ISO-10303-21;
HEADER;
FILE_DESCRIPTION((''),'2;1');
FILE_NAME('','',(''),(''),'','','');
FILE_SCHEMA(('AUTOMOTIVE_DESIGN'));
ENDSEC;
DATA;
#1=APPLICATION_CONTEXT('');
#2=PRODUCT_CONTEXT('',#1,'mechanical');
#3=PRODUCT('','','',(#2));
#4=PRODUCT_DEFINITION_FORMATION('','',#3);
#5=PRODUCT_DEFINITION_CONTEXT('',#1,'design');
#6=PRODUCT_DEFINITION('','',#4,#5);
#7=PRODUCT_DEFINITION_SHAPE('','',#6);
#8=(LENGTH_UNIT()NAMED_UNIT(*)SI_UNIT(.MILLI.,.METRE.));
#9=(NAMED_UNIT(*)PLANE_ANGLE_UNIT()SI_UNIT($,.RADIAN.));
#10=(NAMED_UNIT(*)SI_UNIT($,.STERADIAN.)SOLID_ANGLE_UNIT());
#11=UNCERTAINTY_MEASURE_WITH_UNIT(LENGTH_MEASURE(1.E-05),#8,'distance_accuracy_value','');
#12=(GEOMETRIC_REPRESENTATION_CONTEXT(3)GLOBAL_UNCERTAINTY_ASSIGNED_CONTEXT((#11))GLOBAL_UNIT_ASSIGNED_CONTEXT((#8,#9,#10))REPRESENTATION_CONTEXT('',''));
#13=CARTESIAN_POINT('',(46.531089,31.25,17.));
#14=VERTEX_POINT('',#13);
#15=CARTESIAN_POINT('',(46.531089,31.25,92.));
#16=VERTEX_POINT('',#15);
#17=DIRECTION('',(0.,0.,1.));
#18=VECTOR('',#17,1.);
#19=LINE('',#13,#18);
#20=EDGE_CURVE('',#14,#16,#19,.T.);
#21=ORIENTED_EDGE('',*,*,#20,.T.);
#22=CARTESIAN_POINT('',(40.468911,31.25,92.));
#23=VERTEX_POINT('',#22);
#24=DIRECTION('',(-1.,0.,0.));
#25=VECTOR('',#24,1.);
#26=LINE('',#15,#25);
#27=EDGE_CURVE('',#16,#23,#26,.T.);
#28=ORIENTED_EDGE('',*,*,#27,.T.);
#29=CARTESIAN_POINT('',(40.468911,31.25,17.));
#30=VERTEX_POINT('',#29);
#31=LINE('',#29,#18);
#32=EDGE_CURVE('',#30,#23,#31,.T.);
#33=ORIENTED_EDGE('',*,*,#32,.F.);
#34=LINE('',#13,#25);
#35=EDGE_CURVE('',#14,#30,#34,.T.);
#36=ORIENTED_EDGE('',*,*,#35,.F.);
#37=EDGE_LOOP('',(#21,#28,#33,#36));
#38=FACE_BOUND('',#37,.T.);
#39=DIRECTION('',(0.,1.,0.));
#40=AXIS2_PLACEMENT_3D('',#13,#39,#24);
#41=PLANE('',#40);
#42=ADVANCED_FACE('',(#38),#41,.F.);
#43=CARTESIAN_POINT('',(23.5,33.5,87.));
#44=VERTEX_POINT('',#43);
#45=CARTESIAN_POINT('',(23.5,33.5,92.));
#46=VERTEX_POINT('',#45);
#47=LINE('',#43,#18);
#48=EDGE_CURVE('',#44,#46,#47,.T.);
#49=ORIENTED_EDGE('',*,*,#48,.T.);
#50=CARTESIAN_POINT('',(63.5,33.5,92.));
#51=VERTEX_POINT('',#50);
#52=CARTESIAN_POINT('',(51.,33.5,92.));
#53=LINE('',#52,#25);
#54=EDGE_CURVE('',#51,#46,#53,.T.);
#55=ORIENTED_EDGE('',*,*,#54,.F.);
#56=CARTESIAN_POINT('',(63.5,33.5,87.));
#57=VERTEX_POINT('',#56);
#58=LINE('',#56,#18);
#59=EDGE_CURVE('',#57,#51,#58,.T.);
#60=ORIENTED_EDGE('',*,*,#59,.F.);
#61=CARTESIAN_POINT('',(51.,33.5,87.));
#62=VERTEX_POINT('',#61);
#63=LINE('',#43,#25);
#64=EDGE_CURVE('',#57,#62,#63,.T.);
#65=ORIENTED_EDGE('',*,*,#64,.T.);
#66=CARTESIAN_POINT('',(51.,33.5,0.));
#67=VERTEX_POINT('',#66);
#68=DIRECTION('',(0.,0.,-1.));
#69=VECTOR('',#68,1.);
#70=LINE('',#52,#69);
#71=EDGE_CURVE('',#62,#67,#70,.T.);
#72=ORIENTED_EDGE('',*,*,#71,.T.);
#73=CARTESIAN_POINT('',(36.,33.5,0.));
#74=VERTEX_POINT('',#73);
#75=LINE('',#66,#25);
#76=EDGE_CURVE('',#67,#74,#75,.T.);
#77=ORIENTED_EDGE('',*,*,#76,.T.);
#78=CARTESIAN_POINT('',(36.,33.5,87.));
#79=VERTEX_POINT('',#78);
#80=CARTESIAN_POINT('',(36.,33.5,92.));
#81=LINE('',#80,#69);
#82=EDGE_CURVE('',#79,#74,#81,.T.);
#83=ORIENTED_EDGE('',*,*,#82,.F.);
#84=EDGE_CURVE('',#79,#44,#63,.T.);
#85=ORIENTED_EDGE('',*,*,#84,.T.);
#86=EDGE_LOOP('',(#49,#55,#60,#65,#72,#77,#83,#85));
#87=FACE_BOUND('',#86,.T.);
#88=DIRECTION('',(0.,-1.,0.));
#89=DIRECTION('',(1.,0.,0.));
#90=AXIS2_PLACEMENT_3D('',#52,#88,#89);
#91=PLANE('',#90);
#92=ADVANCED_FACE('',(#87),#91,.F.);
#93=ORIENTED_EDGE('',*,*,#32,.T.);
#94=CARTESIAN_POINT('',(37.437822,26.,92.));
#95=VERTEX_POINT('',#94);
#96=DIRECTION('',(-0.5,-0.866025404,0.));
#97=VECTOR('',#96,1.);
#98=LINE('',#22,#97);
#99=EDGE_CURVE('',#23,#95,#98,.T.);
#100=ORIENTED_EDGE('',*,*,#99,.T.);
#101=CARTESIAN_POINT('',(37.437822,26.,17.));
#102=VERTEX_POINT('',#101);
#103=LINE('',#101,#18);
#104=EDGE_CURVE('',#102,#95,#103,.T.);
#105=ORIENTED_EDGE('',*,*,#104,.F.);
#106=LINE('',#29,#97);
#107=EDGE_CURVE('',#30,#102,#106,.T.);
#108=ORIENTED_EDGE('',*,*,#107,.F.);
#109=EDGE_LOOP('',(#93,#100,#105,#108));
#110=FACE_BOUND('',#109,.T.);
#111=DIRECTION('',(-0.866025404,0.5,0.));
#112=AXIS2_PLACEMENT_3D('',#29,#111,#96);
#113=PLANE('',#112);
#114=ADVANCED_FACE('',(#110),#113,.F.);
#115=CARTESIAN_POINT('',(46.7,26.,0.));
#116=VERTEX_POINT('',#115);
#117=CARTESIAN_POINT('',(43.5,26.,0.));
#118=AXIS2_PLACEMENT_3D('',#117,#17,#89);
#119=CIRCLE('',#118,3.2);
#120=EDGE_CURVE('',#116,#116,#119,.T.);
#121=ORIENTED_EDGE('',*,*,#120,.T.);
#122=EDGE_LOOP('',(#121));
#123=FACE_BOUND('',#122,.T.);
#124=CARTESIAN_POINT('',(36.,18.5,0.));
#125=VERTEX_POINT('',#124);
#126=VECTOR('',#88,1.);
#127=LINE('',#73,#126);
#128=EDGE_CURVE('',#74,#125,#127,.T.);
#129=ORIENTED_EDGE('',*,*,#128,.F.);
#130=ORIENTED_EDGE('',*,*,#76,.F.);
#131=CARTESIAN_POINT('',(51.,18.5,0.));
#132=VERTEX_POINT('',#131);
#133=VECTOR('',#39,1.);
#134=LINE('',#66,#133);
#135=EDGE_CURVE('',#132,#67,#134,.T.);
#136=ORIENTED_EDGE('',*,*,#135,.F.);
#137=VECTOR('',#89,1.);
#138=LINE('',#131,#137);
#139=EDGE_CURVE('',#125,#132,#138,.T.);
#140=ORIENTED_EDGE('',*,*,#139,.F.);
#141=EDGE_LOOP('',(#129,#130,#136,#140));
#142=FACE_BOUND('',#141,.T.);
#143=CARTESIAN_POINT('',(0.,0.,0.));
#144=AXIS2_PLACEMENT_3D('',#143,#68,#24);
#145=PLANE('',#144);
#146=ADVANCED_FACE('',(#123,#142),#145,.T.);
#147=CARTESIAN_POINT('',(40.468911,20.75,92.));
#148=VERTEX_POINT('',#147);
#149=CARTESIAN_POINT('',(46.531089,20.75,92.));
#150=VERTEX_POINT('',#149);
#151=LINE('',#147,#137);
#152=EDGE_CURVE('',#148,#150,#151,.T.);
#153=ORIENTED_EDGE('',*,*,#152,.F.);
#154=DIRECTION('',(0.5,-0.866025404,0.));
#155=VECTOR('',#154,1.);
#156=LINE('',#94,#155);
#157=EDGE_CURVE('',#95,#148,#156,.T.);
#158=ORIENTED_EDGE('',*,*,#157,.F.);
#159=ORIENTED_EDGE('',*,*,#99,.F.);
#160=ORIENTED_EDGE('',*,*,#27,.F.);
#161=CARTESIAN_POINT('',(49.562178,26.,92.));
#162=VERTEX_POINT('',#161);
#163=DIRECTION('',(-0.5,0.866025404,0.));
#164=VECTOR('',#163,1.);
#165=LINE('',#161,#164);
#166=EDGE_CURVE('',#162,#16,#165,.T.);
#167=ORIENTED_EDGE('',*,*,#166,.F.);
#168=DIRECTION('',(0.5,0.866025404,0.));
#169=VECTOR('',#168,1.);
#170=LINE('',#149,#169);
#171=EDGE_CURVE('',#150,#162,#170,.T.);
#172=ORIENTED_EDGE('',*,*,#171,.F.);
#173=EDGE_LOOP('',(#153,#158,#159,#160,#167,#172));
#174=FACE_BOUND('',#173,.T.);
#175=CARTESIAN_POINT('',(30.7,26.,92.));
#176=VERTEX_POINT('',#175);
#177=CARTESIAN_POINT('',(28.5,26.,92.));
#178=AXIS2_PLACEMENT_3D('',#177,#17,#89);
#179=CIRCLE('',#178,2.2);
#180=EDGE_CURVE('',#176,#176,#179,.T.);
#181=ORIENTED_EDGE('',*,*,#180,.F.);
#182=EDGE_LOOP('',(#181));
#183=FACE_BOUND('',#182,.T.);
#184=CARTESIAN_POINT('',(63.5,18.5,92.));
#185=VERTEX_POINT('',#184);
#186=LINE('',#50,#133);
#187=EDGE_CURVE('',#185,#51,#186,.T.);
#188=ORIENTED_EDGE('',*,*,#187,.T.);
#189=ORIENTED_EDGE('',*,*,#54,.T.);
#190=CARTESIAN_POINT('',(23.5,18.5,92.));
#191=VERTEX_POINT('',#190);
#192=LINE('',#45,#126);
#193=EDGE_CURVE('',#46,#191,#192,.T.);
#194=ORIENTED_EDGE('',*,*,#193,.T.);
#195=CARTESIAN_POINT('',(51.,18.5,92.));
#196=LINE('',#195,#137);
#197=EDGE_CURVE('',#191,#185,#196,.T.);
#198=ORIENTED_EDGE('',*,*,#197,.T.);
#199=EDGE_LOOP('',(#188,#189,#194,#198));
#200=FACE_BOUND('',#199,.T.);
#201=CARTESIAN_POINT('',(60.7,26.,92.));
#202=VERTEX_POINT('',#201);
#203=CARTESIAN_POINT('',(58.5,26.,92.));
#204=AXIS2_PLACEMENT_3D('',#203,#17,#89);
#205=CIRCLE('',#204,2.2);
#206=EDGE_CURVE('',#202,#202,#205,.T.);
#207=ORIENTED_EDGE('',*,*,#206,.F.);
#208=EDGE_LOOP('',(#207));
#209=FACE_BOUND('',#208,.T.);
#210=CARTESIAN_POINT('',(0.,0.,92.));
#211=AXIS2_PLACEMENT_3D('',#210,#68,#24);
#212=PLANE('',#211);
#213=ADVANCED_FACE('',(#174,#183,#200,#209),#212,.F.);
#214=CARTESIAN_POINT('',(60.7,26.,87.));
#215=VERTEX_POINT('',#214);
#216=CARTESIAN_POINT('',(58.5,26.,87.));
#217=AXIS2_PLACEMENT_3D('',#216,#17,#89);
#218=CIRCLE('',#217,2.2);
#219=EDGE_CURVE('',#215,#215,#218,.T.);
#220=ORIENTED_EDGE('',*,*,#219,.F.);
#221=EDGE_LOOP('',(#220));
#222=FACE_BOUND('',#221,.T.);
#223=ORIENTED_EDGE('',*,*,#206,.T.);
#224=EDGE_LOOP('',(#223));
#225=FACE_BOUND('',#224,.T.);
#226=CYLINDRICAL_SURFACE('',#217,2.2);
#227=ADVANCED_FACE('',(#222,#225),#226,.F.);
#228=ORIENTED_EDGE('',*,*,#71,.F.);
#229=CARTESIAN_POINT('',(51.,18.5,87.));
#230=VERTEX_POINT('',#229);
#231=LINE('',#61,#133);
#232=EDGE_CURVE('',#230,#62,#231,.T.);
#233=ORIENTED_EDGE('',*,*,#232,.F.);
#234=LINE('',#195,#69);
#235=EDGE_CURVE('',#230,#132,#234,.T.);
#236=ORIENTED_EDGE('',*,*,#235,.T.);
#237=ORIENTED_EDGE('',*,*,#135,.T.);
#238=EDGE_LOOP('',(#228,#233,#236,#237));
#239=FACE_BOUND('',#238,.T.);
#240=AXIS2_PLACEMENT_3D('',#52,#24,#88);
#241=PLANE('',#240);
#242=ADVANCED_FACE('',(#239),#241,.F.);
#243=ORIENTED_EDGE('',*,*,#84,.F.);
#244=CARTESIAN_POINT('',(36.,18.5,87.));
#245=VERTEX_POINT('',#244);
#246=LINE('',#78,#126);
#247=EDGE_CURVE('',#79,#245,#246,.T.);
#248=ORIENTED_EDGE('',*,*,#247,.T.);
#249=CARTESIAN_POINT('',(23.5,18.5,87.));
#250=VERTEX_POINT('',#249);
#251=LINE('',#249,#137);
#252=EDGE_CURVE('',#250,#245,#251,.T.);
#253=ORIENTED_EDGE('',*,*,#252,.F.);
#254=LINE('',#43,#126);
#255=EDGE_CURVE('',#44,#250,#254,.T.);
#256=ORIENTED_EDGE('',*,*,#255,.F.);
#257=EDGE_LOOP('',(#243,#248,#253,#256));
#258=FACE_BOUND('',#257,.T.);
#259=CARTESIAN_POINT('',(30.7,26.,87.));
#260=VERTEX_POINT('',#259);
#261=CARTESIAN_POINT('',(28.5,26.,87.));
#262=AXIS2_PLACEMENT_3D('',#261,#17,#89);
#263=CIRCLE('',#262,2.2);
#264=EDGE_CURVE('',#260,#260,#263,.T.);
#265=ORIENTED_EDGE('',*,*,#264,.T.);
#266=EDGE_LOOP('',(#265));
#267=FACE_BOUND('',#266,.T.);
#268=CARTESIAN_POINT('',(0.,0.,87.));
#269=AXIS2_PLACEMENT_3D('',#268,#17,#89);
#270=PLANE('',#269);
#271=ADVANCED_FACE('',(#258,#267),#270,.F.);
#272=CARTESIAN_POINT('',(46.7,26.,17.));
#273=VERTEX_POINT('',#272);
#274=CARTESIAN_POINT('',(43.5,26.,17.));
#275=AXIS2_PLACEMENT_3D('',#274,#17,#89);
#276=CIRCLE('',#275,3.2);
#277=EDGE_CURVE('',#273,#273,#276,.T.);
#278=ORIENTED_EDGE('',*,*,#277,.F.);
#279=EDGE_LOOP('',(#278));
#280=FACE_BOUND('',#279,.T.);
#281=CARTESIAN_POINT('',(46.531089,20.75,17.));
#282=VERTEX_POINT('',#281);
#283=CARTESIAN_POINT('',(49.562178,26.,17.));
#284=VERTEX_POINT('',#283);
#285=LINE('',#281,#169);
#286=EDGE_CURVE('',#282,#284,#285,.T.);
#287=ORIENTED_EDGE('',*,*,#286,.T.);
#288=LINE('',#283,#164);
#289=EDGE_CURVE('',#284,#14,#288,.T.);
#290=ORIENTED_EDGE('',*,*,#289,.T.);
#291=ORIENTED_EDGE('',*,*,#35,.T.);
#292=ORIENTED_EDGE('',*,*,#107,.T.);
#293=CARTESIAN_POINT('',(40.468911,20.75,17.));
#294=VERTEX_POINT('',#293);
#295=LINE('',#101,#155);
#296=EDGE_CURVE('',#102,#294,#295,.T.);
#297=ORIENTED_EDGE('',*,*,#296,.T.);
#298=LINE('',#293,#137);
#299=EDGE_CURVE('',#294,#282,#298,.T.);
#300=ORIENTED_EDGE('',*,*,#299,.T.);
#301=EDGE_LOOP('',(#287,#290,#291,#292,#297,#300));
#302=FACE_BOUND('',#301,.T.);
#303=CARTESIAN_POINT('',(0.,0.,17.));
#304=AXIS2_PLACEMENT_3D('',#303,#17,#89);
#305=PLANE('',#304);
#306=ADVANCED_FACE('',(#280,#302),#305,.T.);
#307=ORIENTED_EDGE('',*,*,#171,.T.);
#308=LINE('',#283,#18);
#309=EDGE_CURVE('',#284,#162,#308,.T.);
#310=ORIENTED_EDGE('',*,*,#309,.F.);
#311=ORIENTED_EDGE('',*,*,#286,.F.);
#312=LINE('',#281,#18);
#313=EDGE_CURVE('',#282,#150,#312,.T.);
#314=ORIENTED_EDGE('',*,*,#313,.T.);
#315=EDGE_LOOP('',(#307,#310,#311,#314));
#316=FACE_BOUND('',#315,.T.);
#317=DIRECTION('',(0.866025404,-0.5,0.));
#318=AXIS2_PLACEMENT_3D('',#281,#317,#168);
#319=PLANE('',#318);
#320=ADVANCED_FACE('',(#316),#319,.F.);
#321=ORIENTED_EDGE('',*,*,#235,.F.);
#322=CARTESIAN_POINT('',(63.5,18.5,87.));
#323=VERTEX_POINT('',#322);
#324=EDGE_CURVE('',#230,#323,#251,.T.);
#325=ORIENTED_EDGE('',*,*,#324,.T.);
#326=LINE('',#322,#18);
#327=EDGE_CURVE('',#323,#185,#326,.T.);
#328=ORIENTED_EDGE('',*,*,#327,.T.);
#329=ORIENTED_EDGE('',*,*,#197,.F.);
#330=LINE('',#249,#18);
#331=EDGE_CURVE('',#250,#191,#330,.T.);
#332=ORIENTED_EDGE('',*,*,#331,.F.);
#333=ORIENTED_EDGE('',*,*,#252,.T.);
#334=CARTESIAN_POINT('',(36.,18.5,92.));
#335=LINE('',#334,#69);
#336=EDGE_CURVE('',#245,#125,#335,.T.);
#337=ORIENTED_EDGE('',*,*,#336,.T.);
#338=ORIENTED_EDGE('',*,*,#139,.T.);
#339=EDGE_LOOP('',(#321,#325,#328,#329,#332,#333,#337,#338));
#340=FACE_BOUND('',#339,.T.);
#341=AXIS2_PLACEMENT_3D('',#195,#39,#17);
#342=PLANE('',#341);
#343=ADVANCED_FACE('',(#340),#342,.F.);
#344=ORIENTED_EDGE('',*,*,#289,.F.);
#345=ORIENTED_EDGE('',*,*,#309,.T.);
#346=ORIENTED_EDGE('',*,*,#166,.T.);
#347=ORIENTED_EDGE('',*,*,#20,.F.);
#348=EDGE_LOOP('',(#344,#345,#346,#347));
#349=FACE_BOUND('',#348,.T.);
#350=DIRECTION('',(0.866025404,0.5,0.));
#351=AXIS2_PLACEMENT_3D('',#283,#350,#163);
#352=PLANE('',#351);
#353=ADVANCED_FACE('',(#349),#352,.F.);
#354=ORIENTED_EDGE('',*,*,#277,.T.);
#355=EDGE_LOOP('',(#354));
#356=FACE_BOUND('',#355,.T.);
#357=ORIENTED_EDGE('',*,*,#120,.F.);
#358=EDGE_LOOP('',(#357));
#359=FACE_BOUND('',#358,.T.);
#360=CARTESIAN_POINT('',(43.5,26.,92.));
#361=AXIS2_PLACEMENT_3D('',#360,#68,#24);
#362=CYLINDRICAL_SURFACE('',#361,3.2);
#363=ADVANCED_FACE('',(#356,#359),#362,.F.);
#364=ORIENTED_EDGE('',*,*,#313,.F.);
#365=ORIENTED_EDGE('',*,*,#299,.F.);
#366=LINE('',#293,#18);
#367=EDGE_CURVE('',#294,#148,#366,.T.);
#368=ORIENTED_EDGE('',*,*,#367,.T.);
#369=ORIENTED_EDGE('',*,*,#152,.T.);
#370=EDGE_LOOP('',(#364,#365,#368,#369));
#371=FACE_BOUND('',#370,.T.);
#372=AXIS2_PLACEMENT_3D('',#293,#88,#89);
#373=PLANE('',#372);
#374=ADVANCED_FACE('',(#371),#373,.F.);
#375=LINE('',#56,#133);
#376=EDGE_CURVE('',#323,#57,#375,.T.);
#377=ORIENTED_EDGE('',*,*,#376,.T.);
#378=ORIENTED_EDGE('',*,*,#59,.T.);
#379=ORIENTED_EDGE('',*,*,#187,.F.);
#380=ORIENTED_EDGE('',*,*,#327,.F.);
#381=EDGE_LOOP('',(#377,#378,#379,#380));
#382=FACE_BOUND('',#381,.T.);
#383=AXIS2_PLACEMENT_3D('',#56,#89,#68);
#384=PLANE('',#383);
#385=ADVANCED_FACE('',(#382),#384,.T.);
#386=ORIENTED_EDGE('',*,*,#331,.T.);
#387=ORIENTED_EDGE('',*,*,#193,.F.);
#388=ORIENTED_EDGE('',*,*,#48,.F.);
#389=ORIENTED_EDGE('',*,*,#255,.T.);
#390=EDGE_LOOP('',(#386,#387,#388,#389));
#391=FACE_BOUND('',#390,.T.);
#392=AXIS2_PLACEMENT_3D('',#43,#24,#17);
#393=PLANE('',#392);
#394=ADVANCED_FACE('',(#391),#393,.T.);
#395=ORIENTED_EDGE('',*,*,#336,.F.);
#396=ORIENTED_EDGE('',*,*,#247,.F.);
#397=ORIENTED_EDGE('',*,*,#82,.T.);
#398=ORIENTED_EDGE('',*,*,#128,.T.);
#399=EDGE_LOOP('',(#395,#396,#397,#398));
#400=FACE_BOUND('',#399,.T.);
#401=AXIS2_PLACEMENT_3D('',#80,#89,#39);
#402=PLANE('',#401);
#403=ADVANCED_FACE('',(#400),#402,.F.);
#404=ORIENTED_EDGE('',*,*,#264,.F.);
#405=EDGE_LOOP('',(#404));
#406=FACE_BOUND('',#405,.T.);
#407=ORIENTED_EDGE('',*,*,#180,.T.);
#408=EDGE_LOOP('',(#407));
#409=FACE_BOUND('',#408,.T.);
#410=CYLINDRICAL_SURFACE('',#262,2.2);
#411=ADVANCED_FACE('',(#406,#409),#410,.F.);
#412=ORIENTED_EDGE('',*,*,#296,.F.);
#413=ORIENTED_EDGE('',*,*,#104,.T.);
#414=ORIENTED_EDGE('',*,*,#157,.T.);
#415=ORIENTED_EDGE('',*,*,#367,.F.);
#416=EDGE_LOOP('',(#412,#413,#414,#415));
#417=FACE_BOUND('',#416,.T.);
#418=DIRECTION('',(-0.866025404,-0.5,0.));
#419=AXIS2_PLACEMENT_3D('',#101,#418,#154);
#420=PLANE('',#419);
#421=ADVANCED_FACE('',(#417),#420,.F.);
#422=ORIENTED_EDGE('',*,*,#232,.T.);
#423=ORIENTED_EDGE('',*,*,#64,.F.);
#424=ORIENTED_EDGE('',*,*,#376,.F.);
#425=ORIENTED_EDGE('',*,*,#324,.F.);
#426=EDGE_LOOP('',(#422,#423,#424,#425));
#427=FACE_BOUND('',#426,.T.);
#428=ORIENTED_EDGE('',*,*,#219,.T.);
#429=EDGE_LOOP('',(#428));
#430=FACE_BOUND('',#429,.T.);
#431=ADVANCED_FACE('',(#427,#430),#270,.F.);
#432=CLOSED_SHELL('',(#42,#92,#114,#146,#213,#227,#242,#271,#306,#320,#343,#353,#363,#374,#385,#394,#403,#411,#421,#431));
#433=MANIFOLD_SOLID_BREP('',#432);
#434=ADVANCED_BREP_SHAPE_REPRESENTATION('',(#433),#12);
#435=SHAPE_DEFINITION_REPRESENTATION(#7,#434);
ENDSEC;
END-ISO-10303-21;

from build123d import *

# Parameters (mm, degrees)
SKETCH1_W           = 15
SKETCH1_H           = 15
SKETCH1_R           = 3.2
BOSS_EXTRUDE1_DEPTH = 92
SKETCH4_W           = 40
SKETCH4_H           = 15
SKETCH4_R           = 2.2
BOSS_EXTRUDE2_DEPTH = 5
CUT_EXTRUDE1_DEPTH  = 75


with BuildPart() as part:
    # Sketch1 → Boss-Extrude1 (new body)
    with BuildSketch(Plane.XY):
        with Locations((43.5, 26)):
            Rectangle(SKETCH1_W, SKETCH1_H)
        with Locations((43.5, 26)):
            Circle(SKETCH1_R, mode=Mode.SUBTRACT)
    extrude(amount=BOSS_EXTRUDE1_DEPTH)

    # Sketch4 → Boss-Extrude2 (add)
    with BuildSketch(Plane.XY.offset(92)):
        with Locations((43.5, 26)):
            Rectangle(SKETCH4_W, SKETCH4_H)
        with Locations((58.5, 26)):
            Circle(SKETCH4_R, mode=Mode.SUBTRACT)
        with Locations((28.5, 26)):
            Circle(SKETCH4_R, mode=Mode.SUBTRACT)
    extrude(amount=-BOSS_EXTRUDE2_DEPTH)

    # Sketch3 → Cut-Extrude1 (cut)
    with BuildSketch(Plane.XY.offset(92)):
        Polygon((40.468911087, 20.75), (46.531088913, 20.75), (49.562177826, 26), (46.531088913, 31.25), (40.468911087, 31.25), (37.437822174, 26), align=None)
    extrude(amount=-CUT_EXTRUDE1_DEPTH, mode=Mode.SUBTRACT)


solid = part.part
